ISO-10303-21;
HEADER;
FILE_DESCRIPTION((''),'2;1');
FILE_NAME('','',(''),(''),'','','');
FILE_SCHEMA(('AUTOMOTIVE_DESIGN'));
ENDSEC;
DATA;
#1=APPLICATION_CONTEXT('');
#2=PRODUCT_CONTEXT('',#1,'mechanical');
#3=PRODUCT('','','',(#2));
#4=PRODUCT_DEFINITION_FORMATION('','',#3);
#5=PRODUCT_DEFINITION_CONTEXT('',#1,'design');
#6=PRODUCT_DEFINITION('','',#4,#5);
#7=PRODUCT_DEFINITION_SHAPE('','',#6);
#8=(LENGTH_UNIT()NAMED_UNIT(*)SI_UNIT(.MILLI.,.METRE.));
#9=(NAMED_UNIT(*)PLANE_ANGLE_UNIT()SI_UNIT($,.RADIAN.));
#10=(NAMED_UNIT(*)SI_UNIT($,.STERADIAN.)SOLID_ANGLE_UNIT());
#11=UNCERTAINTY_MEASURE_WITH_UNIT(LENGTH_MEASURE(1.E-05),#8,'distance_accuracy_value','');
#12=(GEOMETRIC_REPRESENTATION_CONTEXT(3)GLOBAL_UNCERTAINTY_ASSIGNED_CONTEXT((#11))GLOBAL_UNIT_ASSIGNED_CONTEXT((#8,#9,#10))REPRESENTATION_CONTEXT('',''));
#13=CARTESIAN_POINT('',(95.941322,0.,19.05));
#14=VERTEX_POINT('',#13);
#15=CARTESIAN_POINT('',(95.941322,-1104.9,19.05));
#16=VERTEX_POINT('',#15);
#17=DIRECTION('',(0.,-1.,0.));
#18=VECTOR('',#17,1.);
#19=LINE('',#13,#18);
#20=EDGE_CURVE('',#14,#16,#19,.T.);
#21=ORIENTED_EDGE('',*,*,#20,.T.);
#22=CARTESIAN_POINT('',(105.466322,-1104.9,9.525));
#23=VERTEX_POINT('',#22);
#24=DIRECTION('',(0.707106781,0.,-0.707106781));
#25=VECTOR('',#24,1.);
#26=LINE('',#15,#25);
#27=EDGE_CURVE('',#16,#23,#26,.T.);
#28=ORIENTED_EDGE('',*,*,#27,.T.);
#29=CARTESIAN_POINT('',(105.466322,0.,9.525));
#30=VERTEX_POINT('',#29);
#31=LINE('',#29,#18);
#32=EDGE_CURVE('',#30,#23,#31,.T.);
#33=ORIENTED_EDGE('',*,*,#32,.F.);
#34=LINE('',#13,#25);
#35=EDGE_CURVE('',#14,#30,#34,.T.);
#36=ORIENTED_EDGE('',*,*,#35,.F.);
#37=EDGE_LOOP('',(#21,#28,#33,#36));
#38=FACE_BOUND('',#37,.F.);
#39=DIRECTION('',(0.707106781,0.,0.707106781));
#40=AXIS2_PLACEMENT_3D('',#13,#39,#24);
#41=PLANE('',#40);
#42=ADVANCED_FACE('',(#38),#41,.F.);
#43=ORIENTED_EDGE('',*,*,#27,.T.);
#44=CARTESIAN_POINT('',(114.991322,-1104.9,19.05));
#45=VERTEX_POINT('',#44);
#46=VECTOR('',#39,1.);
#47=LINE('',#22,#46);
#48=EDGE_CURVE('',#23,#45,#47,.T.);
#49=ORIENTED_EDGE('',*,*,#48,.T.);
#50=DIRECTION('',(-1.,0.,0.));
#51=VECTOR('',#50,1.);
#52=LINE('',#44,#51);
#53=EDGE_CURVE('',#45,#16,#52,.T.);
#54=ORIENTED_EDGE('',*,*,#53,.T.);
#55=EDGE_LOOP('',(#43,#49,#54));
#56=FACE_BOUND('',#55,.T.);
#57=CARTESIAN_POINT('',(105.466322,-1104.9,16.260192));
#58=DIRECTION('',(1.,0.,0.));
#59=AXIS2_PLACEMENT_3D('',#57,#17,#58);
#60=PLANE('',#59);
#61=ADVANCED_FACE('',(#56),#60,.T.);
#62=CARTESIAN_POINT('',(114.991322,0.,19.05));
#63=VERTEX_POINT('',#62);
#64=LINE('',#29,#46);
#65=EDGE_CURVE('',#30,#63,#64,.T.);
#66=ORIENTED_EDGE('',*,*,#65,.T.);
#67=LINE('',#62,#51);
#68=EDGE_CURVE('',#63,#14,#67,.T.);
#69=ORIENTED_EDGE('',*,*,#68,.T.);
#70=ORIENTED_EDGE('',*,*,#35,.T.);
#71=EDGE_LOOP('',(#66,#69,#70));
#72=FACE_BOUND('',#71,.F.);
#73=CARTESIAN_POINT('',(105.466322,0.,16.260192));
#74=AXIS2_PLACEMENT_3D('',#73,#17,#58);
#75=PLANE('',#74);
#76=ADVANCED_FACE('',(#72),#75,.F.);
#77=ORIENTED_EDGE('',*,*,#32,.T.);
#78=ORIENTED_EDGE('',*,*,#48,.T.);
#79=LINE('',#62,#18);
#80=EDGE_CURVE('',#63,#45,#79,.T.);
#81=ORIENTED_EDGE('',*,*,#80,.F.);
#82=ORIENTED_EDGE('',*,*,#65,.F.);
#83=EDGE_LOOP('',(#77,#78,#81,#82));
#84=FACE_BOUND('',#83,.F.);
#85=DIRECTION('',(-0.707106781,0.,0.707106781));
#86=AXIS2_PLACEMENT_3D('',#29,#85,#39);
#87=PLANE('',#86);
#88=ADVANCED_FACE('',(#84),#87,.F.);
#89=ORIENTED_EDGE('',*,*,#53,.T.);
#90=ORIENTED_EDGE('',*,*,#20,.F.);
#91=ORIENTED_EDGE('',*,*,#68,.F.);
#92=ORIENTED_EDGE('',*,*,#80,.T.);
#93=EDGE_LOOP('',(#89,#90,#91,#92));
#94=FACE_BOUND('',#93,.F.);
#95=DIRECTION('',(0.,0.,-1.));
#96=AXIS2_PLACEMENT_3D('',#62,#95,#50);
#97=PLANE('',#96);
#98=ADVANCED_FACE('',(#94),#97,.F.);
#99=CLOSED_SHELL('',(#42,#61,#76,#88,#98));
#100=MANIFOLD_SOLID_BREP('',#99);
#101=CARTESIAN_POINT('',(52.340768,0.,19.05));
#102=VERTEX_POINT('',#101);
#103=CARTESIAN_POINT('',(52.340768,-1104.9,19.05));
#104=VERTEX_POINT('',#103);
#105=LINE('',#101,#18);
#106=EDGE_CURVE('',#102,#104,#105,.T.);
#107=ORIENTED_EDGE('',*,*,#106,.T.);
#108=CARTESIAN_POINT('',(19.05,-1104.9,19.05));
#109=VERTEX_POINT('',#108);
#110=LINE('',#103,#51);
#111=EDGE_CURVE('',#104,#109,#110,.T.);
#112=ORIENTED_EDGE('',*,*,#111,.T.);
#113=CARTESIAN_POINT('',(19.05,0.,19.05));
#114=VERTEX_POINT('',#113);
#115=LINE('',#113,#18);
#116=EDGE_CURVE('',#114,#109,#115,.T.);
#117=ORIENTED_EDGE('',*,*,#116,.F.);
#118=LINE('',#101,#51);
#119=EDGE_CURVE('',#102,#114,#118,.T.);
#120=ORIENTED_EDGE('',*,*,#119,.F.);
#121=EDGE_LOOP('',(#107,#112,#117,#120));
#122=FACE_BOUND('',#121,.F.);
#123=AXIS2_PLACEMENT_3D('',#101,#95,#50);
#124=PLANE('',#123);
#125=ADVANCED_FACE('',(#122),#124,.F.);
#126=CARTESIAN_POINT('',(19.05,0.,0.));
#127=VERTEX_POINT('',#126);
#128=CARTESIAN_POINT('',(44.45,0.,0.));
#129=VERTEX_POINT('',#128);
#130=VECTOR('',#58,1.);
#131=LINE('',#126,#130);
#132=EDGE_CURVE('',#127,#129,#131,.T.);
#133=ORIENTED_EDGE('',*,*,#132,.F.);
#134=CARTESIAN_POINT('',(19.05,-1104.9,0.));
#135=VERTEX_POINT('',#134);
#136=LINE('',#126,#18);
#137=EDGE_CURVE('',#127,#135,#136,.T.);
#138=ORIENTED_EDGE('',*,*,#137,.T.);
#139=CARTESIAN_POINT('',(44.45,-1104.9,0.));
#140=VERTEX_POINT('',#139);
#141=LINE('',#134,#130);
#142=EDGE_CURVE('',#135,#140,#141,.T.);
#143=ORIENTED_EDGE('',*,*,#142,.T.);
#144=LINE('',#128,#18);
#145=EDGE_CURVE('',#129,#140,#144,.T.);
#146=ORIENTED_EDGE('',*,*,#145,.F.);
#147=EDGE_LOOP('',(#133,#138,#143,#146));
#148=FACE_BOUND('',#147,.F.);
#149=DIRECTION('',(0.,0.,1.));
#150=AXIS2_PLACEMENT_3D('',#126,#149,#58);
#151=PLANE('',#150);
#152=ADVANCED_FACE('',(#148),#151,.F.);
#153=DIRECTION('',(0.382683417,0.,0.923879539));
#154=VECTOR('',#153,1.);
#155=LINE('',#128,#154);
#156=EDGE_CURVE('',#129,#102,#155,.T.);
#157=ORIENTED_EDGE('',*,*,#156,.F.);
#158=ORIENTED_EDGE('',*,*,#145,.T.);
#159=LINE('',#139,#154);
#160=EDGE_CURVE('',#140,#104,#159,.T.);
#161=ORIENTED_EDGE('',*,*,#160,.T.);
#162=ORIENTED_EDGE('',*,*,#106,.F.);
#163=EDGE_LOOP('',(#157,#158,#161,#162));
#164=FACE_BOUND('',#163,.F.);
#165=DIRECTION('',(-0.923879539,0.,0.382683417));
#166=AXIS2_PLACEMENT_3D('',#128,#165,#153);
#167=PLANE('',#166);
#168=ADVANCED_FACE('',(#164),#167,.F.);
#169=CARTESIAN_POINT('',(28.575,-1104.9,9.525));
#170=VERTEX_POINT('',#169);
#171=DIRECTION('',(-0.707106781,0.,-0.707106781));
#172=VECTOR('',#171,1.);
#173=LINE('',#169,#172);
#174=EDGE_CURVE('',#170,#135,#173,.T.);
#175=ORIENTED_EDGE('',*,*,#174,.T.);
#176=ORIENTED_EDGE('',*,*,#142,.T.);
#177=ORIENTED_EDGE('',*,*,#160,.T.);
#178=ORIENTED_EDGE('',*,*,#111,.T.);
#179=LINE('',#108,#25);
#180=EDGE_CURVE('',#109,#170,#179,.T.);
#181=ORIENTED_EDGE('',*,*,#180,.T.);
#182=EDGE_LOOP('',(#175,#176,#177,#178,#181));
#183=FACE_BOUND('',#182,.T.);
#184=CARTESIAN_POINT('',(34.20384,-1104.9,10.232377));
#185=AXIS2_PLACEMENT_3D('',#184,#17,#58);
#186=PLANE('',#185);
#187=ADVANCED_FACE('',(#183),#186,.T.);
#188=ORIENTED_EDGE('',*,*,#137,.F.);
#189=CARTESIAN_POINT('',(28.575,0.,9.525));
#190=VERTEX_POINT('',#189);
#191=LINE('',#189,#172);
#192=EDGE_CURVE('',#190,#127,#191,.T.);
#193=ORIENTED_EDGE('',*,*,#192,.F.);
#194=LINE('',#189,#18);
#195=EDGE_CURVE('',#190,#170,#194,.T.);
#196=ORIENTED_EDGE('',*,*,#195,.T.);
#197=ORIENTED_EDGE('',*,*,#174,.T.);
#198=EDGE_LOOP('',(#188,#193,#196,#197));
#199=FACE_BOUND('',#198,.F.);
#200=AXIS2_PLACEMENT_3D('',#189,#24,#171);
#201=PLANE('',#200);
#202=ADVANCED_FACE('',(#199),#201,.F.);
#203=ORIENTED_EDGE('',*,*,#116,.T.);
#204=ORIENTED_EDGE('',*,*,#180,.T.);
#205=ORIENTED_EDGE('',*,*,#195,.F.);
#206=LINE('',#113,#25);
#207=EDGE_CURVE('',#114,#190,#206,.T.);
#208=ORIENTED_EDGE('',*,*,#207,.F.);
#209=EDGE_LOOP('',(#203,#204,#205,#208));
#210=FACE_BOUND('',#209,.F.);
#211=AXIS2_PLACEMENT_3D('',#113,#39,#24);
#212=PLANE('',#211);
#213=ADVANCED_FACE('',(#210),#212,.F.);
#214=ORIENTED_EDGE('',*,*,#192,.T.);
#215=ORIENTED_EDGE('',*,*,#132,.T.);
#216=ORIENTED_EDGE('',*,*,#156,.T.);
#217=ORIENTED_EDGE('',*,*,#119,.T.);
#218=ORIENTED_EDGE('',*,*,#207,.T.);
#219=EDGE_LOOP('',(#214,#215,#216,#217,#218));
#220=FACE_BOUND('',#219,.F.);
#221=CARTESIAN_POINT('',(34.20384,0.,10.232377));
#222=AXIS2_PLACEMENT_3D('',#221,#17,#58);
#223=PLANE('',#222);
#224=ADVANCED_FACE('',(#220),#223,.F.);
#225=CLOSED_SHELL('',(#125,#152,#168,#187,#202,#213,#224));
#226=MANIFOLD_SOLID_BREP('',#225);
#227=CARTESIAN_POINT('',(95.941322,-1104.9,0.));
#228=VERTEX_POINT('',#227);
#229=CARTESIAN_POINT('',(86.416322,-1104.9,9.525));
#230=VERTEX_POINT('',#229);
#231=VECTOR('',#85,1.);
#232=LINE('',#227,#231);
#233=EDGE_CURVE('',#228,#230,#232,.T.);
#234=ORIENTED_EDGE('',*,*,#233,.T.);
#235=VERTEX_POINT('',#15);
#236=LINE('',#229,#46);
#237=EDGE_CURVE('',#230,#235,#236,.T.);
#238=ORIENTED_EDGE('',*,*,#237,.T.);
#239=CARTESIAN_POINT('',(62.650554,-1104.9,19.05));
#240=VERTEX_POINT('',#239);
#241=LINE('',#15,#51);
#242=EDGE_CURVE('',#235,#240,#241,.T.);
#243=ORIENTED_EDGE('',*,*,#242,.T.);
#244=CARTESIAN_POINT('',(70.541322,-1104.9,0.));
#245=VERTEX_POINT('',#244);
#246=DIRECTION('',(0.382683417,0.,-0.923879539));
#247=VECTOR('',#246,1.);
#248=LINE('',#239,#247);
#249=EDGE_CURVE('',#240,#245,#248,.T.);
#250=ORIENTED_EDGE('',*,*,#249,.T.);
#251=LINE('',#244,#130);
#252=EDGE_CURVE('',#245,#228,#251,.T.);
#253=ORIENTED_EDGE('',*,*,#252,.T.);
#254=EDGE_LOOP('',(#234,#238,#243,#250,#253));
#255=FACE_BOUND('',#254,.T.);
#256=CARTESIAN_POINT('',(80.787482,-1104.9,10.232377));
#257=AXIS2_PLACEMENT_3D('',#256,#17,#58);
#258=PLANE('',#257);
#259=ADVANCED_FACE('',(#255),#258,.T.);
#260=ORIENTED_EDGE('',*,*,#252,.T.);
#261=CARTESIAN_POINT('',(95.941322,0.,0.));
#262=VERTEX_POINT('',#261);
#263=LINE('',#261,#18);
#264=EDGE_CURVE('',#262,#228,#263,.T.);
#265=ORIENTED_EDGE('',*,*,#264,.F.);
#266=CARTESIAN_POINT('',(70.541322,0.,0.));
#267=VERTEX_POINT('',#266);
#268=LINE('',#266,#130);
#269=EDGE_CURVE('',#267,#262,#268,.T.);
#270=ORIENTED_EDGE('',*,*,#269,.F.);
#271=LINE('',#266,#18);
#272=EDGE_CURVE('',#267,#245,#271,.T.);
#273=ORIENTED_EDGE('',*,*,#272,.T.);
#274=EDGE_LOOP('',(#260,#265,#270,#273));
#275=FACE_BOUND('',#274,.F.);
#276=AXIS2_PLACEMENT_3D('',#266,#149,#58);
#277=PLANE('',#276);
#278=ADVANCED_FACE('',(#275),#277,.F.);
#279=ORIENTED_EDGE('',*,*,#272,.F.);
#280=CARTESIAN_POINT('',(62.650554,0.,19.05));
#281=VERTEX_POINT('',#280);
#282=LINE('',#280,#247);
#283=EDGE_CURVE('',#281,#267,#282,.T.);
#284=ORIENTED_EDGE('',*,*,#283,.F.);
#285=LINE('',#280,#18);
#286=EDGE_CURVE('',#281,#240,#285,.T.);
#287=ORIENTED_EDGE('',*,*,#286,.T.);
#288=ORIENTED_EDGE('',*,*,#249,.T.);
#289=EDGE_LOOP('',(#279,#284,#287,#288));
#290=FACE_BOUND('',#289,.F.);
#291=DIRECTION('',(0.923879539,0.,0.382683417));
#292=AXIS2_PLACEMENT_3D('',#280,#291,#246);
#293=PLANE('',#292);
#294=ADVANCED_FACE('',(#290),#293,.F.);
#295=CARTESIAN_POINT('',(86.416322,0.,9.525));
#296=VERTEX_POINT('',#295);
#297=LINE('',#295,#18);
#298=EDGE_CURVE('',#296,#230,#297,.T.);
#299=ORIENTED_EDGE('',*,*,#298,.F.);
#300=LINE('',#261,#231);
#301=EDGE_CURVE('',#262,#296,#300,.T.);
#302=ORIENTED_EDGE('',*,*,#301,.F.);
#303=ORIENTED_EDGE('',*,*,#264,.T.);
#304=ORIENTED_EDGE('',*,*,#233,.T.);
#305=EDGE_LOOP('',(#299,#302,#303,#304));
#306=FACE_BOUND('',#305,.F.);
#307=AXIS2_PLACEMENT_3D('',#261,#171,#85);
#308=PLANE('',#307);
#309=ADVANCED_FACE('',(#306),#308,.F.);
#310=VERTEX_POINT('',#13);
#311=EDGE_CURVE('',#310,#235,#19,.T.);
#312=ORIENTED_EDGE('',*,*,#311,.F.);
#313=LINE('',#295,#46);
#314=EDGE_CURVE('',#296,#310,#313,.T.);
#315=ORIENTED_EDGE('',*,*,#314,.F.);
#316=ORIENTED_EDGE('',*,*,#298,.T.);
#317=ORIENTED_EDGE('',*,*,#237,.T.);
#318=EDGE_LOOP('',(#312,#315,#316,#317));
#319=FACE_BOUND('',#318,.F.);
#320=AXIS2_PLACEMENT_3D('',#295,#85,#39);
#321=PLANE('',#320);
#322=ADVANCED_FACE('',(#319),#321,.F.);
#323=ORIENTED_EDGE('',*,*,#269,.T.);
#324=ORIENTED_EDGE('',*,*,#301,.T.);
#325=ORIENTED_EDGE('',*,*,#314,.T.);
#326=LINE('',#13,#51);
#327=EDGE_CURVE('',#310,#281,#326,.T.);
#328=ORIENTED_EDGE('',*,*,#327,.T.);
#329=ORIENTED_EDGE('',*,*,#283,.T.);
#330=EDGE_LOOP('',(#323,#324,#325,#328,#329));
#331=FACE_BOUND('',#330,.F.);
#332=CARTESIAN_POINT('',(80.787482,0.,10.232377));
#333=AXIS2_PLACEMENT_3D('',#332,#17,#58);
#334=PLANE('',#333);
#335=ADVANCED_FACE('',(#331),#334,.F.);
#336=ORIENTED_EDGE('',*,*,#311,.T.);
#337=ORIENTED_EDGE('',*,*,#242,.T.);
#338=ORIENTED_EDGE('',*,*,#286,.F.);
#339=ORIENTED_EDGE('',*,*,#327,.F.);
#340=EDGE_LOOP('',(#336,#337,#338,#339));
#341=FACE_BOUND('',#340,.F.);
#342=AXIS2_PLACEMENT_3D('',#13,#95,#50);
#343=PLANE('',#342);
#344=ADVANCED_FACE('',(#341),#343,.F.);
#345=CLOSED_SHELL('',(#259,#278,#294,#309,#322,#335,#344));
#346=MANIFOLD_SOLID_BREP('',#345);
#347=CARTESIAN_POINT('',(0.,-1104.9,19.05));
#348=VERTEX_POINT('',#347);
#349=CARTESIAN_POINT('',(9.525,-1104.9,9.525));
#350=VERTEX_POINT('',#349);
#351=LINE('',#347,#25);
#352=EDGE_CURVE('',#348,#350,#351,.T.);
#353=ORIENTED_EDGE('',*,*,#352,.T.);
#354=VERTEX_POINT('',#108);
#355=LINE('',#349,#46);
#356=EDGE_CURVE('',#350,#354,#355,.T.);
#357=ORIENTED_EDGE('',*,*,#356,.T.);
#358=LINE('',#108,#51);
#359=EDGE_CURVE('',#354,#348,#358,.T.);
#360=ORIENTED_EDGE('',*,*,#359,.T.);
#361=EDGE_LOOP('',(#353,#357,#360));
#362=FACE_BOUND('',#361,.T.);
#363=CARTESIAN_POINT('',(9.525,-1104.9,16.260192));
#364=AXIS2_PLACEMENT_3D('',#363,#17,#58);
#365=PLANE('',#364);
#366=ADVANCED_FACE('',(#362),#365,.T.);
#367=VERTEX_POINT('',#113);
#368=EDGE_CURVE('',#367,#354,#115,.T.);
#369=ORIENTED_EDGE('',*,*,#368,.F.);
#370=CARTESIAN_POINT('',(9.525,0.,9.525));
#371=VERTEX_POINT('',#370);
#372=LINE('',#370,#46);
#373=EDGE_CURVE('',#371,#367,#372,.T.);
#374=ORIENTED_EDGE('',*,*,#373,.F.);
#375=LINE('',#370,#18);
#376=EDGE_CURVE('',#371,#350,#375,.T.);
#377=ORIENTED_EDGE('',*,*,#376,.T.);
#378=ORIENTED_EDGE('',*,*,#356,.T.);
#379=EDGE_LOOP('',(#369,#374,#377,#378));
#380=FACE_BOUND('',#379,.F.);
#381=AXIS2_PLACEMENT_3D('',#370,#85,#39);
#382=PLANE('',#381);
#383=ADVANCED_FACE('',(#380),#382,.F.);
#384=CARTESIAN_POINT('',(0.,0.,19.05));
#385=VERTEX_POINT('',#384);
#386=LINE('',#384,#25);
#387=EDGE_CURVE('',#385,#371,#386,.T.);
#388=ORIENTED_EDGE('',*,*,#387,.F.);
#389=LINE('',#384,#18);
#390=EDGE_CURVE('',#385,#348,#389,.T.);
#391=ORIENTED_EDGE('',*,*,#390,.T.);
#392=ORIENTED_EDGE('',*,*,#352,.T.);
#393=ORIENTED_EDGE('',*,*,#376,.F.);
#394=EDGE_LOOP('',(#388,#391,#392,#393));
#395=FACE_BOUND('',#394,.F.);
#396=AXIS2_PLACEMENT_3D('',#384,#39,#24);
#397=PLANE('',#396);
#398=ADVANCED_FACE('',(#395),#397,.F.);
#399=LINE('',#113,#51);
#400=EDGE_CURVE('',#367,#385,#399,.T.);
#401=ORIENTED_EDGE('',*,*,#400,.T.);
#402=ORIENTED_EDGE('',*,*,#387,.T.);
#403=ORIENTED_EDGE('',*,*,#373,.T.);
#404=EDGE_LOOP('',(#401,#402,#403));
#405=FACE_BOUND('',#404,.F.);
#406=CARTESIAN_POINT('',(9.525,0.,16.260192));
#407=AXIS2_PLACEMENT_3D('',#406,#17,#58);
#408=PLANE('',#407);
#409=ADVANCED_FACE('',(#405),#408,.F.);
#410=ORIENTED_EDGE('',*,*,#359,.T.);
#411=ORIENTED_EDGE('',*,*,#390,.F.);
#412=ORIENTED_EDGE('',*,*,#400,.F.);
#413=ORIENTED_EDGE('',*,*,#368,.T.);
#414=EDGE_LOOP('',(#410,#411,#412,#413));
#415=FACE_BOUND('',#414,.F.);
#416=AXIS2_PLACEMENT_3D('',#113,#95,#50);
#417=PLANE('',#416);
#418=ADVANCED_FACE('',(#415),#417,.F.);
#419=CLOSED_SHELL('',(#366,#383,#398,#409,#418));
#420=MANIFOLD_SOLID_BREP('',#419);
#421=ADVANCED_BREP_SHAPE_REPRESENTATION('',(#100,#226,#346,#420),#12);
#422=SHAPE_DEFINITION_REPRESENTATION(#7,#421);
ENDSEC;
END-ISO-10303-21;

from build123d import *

# Parameters (mm, degrees)
F1_DEPTH = 1104.9


with BuildPart() as f1:
    # F0 (on Front) → F1 (new body)
    with BuildSketch(Plane.XZ):
        Polygon((28.575, 9.525), (19.05, 0), (44.45, 0), (52.340768, 19.05), (19.05, 19.05), align=None)
        Polygon((9.525, 9.525), (19.05, 19.05), (0, 19.05), align=None)
        Polygon((105.466322, 9.525), (114.991322, 19.05), (95.941322, 19.05), align=None)
        Polygon((86.416322, 9.525), (95.941322, 19.05), (62.650554, 19.05), (70.541322, 0), (95.941322, 0), align=None)
    extrude(amount=F1_DEPTH)


solid = f1.part
